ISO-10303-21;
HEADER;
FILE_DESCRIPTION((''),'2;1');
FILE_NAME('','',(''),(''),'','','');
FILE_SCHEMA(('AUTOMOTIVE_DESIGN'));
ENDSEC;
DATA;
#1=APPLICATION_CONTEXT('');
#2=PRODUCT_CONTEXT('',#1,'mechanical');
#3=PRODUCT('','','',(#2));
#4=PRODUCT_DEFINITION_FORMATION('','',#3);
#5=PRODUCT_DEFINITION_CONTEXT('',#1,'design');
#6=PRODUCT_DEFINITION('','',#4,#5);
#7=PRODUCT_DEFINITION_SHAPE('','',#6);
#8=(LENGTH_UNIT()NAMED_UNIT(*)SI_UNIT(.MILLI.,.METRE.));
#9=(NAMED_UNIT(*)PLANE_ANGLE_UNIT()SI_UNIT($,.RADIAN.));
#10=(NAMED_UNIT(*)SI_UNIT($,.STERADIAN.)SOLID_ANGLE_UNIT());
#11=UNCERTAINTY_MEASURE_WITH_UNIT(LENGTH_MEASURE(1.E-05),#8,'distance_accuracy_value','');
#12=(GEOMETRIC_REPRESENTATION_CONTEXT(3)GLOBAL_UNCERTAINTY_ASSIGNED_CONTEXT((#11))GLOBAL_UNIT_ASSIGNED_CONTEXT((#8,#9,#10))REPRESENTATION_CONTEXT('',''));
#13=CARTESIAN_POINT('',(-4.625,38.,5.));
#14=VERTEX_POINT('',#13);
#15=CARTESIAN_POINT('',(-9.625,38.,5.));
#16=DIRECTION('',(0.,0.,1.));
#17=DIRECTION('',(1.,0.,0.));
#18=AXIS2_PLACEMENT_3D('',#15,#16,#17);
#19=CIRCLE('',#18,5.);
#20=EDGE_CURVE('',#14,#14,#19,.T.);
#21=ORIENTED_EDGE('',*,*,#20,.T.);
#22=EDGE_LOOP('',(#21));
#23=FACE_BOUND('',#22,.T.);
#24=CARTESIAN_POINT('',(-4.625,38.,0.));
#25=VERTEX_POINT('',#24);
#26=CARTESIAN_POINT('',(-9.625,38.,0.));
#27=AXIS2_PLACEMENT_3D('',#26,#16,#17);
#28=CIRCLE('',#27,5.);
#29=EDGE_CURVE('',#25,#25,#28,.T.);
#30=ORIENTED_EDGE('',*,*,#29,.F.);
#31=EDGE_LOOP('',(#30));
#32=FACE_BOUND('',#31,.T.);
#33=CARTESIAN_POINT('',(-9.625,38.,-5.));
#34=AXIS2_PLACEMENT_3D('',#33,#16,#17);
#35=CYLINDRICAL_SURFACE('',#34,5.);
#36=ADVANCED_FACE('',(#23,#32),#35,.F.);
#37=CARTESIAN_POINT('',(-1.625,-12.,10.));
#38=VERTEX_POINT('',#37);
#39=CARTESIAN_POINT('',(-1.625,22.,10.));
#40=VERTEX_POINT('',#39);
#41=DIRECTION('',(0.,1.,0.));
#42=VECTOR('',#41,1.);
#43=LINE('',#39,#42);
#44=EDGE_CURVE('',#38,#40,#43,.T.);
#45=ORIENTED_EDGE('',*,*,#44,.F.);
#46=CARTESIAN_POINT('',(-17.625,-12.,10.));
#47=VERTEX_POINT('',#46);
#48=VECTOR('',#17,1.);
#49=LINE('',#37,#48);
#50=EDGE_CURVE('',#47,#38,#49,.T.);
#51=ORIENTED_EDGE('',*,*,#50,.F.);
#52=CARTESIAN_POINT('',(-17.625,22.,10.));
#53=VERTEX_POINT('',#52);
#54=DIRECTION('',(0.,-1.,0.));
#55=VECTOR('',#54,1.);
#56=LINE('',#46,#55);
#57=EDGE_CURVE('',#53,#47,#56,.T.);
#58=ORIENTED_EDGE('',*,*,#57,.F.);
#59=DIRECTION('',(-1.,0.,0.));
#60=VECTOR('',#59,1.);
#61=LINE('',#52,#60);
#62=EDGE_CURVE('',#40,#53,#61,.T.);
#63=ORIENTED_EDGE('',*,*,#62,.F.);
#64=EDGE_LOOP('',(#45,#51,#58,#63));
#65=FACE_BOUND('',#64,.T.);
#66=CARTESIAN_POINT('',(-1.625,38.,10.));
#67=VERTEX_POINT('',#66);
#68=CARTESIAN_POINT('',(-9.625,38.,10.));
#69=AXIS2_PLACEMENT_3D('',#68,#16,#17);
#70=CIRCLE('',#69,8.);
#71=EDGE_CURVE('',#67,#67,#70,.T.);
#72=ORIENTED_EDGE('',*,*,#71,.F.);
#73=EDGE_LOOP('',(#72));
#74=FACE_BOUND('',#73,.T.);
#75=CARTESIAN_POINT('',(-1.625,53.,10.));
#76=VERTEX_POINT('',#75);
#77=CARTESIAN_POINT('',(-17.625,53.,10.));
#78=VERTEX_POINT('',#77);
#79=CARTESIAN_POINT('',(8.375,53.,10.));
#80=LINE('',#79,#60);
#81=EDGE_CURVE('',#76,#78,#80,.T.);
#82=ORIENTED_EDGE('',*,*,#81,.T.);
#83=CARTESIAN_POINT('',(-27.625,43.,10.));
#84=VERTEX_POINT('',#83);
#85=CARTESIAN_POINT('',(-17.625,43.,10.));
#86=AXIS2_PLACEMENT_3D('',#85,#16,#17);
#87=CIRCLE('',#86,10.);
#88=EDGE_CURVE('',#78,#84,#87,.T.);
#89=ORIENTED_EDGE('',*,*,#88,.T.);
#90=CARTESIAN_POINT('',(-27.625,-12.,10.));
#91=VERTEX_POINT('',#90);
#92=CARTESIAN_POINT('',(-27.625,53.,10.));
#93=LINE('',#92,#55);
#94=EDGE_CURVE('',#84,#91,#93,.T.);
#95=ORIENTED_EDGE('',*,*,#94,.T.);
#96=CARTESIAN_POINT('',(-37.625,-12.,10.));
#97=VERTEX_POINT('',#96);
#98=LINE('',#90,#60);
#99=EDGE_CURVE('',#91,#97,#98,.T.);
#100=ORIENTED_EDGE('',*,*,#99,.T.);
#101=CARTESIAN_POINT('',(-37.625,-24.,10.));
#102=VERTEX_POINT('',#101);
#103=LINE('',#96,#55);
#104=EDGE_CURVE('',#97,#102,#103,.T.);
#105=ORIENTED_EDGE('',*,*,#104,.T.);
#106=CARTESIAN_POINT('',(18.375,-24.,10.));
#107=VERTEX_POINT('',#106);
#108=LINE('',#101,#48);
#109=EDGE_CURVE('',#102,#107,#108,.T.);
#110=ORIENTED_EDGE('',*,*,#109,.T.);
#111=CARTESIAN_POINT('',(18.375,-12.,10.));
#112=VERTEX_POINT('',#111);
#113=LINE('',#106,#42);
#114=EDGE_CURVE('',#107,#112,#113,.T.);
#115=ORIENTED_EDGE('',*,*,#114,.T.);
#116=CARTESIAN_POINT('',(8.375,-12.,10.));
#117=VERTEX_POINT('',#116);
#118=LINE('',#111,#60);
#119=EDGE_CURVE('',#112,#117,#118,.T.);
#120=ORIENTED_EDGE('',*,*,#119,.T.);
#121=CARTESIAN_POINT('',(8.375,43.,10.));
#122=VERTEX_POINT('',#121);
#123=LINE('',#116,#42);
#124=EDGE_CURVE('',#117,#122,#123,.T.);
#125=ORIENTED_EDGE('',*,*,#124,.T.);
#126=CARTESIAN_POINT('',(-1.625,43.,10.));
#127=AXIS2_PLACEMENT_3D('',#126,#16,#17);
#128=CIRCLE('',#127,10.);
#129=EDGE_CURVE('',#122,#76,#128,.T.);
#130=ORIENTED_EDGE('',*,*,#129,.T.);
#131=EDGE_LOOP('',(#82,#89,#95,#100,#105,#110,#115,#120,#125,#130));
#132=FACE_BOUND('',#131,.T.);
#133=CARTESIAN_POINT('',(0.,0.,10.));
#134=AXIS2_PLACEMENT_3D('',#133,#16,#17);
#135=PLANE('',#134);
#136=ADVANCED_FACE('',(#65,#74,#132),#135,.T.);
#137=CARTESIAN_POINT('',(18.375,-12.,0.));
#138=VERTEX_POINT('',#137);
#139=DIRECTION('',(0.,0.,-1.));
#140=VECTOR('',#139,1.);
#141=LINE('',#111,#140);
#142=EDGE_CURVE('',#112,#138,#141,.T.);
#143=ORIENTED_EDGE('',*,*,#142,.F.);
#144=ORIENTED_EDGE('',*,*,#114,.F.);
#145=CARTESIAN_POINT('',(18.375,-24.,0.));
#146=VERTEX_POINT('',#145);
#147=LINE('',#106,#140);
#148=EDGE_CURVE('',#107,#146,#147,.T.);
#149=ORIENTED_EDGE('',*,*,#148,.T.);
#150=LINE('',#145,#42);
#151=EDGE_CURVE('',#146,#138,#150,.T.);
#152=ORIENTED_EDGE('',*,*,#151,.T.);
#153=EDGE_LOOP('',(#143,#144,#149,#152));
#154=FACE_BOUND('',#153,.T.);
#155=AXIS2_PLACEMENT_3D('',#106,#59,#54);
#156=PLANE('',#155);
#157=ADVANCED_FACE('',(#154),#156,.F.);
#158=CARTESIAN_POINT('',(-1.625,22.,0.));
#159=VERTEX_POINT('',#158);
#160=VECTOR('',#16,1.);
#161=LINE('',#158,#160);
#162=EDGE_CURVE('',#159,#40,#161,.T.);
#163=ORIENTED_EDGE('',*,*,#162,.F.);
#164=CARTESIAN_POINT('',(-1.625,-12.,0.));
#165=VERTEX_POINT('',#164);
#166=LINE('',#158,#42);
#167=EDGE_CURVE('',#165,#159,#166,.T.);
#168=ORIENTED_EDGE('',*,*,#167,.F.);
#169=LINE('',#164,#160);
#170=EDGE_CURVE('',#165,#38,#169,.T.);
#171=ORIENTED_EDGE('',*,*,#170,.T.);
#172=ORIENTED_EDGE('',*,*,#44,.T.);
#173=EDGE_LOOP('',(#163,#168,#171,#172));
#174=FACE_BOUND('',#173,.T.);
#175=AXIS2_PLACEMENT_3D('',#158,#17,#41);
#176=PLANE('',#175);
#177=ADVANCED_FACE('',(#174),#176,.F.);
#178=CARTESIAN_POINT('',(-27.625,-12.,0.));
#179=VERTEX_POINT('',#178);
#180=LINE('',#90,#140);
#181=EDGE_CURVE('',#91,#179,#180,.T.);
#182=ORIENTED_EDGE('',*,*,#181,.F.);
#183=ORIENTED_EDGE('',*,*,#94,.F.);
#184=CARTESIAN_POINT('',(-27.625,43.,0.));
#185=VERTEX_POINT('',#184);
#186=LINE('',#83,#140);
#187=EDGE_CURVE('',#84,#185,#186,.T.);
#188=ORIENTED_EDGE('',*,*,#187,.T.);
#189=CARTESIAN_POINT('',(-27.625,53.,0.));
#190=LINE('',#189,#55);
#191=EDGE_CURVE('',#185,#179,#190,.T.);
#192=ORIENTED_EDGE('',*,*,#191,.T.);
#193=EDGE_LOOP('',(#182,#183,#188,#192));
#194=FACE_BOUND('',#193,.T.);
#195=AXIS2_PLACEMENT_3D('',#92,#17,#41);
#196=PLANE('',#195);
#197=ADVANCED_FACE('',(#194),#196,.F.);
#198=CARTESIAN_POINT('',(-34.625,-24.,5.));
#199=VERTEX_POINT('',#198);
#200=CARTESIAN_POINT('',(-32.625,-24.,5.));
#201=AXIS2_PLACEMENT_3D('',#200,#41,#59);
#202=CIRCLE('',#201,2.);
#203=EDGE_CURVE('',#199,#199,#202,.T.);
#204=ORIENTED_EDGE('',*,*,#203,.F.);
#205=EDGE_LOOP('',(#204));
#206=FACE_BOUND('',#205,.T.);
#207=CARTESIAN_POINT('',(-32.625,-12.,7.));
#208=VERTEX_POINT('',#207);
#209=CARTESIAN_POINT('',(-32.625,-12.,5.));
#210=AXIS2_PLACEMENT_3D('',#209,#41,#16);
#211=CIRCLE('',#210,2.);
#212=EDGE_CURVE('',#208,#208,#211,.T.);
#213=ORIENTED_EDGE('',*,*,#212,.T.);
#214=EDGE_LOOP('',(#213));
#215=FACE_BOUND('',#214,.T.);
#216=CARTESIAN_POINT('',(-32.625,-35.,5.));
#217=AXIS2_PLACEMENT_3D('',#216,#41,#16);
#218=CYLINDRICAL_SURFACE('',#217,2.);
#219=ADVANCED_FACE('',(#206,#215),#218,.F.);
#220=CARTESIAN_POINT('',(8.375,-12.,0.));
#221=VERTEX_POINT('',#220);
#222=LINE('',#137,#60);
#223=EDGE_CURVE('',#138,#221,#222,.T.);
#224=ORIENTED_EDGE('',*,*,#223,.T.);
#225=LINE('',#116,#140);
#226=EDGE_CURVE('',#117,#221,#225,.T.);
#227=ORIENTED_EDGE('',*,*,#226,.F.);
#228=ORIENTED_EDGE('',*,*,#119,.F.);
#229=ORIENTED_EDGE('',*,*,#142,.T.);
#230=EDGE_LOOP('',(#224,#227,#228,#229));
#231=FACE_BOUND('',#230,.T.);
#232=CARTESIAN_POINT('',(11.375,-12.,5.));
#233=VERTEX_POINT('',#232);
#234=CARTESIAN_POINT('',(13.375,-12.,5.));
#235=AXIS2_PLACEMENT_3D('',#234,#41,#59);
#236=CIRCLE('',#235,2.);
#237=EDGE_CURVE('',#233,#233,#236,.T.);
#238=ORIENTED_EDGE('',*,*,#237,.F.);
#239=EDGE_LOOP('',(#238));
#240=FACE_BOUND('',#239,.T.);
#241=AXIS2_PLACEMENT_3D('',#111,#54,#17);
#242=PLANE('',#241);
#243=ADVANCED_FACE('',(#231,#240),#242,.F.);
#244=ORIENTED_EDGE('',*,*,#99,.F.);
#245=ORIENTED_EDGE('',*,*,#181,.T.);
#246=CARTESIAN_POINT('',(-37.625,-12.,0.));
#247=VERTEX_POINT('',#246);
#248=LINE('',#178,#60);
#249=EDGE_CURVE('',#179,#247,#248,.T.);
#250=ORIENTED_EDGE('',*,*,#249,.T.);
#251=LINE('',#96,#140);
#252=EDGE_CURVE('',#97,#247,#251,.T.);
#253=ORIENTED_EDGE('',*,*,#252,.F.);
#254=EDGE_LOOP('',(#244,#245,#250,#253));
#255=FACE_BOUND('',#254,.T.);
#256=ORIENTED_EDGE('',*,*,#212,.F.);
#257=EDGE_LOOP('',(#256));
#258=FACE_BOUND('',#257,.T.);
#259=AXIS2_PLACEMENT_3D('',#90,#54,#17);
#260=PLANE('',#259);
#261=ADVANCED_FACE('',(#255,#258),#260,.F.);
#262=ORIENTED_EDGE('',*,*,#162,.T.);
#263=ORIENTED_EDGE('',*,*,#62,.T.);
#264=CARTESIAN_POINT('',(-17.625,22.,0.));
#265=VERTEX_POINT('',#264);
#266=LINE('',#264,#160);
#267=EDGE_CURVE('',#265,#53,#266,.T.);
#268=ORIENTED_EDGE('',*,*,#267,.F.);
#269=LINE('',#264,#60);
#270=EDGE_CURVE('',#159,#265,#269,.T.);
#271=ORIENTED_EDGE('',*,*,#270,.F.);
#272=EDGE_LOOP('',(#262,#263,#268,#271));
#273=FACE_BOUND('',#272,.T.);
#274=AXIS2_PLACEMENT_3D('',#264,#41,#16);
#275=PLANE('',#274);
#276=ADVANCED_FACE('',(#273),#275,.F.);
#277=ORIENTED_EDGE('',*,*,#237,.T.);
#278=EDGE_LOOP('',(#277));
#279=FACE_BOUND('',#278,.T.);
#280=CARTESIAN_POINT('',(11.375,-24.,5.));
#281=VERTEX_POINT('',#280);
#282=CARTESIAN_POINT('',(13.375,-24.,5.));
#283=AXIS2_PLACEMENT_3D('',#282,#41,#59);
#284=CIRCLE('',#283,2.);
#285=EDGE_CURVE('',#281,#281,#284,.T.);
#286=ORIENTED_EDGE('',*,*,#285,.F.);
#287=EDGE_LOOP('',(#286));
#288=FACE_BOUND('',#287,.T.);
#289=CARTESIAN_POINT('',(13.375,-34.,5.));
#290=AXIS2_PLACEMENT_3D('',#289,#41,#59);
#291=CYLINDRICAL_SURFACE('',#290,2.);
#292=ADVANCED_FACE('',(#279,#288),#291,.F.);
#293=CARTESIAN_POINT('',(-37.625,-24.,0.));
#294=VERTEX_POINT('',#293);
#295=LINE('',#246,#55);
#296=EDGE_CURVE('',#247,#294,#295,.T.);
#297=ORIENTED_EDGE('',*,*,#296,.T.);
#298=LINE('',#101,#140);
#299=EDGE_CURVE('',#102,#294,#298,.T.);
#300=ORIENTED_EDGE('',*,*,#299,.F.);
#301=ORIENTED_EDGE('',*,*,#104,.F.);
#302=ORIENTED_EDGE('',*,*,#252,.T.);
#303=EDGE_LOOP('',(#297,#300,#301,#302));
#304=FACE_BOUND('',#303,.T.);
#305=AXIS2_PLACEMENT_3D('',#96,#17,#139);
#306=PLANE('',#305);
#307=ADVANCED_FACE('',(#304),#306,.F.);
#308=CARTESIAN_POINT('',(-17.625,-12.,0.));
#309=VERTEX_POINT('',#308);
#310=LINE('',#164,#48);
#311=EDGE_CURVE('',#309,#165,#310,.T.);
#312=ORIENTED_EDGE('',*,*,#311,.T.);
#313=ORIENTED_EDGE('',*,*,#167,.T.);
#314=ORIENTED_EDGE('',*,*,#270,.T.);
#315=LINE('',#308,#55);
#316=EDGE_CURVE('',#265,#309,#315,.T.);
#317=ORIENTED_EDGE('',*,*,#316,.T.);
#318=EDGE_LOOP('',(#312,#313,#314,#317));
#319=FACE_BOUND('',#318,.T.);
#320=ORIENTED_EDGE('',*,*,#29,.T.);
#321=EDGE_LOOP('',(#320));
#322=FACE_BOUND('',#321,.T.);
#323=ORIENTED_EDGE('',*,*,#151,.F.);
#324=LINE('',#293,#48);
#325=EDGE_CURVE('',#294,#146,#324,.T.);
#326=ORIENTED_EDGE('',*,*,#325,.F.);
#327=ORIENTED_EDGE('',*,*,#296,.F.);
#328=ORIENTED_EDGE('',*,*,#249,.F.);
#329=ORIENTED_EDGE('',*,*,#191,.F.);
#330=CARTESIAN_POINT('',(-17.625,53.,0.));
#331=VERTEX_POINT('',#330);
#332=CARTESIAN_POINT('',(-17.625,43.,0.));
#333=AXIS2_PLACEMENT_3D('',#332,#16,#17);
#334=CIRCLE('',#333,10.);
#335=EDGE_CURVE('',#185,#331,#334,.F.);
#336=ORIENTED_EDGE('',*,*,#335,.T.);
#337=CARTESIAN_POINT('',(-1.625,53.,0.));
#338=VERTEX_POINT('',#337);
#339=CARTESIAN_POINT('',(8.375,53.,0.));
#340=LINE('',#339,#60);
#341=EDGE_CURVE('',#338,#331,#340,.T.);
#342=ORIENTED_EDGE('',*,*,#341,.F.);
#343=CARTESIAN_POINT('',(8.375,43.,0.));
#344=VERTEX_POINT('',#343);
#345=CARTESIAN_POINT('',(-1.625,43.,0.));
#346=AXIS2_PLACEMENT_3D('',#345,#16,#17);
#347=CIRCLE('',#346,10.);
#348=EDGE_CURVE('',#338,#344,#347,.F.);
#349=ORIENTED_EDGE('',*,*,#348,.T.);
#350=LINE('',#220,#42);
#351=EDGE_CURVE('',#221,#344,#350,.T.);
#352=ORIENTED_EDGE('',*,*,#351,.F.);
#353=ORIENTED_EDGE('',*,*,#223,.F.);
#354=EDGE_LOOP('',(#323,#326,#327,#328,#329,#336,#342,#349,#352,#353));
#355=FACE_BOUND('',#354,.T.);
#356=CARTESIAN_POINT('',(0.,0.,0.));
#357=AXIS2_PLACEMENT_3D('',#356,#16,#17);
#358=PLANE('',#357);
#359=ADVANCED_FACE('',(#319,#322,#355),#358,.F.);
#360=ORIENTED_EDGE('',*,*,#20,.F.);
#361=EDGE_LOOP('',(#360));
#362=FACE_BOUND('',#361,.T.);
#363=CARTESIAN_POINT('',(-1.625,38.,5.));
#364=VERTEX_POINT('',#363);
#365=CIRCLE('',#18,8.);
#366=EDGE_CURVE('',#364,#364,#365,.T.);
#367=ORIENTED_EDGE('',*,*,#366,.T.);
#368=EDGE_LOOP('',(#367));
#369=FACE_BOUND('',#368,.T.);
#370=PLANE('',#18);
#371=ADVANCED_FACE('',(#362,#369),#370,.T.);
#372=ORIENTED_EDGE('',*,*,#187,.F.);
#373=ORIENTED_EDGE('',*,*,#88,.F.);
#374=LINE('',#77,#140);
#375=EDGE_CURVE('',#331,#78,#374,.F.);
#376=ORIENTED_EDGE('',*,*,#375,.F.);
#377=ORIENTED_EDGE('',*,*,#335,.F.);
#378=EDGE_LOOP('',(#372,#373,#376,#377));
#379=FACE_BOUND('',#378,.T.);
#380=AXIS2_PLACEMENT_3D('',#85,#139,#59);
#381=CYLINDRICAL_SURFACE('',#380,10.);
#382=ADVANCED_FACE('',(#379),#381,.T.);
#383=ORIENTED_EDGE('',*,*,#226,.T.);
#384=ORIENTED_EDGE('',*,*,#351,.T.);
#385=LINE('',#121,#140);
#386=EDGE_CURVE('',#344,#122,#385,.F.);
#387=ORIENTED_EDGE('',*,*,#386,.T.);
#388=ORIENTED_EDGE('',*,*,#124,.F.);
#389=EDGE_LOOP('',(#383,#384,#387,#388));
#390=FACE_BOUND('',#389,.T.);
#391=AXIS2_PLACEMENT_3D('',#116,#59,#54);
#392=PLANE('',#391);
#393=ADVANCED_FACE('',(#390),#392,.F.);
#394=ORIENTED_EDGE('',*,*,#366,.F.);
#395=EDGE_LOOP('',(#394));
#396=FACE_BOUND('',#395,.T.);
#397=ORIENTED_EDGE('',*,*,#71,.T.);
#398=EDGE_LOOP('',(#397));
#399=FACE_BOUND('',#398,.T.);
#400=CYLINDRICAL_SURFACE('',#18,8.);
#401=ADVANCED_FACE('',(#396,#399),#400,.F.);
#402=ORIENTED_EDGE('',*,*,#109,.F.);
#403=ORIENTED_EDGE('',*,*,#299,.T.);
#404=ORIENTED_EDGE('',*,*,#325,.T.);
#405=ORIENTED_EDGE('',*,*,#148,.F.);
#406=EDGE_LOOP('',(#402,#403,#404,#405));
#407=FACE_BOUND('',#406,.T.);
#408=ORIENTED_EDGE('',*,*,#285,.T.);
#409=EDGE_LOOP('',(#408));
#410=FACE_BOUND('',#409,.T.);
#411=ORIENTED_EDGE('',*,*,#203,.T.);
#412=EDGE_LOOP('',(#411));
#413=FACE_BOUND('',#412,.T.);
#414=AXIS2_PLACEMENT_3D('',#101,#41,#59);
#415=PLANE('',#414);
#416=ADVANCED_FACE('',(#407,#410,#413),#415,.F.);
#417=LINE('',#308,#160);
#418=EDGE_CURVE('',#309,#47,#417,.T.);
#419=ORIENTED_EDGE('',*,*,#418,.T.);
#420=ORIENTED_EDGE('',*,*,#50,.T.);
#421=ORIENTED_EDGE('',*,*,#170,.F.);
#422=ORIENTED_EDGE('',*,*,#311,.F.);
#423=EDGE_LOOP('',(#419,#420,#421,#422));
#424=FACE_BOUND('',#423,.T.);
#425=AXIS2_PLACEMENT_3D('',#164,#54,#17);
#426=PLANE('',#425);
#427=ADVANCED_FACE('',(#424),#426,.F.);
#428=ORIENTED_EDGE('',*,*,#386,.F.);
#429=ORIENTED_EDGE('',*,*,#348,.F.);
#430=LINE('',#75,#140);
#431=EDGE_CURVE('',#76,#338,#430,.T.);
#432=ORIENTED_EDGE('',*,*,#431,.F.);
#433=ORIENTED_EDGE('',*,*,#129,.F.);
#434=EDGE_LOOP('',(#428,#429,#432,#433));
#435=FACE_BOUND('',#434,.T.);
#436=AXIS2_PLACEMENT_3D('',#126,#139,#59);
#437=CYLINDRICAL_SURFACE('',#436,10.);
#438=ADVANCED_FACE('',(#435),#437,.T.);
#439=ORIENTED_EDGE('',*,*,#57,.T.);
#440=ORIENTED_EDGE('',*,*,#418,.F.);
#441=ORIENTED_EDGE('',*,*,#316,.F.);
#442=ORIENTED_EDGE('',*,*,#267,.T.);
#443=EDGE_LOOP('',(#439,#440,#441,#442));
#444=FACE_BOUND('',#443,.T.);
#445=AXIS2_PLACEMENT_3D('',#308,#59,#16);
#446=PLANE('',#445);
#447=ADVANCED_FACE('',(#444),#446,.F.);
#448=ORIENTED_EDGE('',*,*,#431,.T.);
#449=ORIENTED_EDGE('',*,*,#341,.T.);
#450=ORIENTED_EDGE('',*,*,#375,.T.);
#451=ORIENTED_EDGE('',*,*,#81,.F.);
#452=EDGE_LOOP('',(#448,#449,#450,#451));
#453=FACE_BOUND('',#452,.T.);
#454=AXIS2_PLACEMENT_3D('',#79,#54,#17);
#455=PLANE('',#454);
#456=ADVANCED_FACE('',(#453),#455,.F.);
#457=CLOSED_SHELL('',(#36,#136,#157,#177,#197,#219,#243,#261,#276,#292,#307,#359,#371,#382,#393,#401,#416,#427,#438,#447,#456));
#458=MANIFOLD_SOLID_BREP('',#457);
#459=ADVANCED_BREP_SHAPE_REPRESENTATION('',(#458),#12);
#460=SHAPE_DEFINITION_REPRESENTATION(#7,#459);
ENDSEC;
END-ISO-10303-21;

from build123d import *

# Parameters (mm, degrees)
BOSS_EXTRUDE1_DEPTH = 10
SKETCH2_R           = 8
CUT_EXTRUDE1_DEPTH  = 5
FILLET1_R           = 10
SKETCH4_R           = 2
CUT_EXTRUDE3_DEPTH  = 22
SKETCH5_R           = 2
CUT_EXTRUDE4_DEPTH  = 23
SKETCH6_R           = 5
CUT_EXTRUDE5_DEPTH  = 10
SKETCH8_W           = 16
SKETCH8_H           = 34
CUT_EXTRUDE7_DEPTH  = 10


with BuildPart() as part:
    # Sketch1 → Boss-Extrude1 (new body)
    with BuildSketch(Plane.XY):
        Polygon((-37.625, -24), (18.375, -24), (18.375, -12), (8.375, -12), (8.375, 53), (-27.625, 53), (-27.625, -12), (-37.625, -12), align=None)
    extrude(amount=BOSS_EXTRUDE1_DEPTH)

    # Sketch2 → Cut-Extrude1 (cut)
    with BuildSketch(Plane.XY.offset(10)):
        with Locations((-9.625, 38)):
            Circle(SKETCH2_R)
    extrude(amount=-CUT_EXTRUDE1_DEPTH, mode=Mode.SUBTRACT)

    # Fillet1
    fillet1_edges = [part.edges().sort_by_distance(p)[0] for p in [
        (-27.625, 53, 5),
        (8.375, 53, 5),
    ]]
    fillet(fillet1_edges, radius=FILLET1_R)

    # Sketch4 → Cut-Extrude3 (cut)
    with BuildSketch(Plane(origin=(0, -12, 0), x_dir=(1, 0, 0), z_dir=(0, 1, 0))):
        with Locations((13.375, -5)):
            Circle(SKETCH4_R)
    extrude(amount=-CUT_EXTRUDE3_DEPTH, mode=Mode.SUBTRACT)

    # Sketch5 → Cut-Extrude4 (cut)
    with BuildSketch(Plane(origin=(0, -12, 0), x_dir=(1, 0, 0), z_dir=(0, 1, 0))):
        with Locations((-32.625, -5)):
            Circle(SKETCH5_R)
    extrude(amount=-CUT_EXTRUDE4_DEPTH, mode=Mode.SUBTRACT)

    # Sketch6 → Cut-Extrude5 (cut)
    with BuildSketch(Plane.XY.offset(5)):
        with Locations((-9.625, 38)):
            Circle(SKETCH6_R)
    extrude(amount=-CUT_EXTRUDE5_DEPTH, mode=Mode.SUBTRACT)

    # Sketch8 → Cut-Extrude7 (cut)
    with BuildSketch(Plane.XY.offset(10)):
        with Locations((-9.625, 5)):
            Rectangle(SKETCH8_W, SKETCH8_H)
    extrude(amount=-CUT_EXTRUDE7_DEPTH, mode=Mode.SUBTRACT)


solid = part.part
